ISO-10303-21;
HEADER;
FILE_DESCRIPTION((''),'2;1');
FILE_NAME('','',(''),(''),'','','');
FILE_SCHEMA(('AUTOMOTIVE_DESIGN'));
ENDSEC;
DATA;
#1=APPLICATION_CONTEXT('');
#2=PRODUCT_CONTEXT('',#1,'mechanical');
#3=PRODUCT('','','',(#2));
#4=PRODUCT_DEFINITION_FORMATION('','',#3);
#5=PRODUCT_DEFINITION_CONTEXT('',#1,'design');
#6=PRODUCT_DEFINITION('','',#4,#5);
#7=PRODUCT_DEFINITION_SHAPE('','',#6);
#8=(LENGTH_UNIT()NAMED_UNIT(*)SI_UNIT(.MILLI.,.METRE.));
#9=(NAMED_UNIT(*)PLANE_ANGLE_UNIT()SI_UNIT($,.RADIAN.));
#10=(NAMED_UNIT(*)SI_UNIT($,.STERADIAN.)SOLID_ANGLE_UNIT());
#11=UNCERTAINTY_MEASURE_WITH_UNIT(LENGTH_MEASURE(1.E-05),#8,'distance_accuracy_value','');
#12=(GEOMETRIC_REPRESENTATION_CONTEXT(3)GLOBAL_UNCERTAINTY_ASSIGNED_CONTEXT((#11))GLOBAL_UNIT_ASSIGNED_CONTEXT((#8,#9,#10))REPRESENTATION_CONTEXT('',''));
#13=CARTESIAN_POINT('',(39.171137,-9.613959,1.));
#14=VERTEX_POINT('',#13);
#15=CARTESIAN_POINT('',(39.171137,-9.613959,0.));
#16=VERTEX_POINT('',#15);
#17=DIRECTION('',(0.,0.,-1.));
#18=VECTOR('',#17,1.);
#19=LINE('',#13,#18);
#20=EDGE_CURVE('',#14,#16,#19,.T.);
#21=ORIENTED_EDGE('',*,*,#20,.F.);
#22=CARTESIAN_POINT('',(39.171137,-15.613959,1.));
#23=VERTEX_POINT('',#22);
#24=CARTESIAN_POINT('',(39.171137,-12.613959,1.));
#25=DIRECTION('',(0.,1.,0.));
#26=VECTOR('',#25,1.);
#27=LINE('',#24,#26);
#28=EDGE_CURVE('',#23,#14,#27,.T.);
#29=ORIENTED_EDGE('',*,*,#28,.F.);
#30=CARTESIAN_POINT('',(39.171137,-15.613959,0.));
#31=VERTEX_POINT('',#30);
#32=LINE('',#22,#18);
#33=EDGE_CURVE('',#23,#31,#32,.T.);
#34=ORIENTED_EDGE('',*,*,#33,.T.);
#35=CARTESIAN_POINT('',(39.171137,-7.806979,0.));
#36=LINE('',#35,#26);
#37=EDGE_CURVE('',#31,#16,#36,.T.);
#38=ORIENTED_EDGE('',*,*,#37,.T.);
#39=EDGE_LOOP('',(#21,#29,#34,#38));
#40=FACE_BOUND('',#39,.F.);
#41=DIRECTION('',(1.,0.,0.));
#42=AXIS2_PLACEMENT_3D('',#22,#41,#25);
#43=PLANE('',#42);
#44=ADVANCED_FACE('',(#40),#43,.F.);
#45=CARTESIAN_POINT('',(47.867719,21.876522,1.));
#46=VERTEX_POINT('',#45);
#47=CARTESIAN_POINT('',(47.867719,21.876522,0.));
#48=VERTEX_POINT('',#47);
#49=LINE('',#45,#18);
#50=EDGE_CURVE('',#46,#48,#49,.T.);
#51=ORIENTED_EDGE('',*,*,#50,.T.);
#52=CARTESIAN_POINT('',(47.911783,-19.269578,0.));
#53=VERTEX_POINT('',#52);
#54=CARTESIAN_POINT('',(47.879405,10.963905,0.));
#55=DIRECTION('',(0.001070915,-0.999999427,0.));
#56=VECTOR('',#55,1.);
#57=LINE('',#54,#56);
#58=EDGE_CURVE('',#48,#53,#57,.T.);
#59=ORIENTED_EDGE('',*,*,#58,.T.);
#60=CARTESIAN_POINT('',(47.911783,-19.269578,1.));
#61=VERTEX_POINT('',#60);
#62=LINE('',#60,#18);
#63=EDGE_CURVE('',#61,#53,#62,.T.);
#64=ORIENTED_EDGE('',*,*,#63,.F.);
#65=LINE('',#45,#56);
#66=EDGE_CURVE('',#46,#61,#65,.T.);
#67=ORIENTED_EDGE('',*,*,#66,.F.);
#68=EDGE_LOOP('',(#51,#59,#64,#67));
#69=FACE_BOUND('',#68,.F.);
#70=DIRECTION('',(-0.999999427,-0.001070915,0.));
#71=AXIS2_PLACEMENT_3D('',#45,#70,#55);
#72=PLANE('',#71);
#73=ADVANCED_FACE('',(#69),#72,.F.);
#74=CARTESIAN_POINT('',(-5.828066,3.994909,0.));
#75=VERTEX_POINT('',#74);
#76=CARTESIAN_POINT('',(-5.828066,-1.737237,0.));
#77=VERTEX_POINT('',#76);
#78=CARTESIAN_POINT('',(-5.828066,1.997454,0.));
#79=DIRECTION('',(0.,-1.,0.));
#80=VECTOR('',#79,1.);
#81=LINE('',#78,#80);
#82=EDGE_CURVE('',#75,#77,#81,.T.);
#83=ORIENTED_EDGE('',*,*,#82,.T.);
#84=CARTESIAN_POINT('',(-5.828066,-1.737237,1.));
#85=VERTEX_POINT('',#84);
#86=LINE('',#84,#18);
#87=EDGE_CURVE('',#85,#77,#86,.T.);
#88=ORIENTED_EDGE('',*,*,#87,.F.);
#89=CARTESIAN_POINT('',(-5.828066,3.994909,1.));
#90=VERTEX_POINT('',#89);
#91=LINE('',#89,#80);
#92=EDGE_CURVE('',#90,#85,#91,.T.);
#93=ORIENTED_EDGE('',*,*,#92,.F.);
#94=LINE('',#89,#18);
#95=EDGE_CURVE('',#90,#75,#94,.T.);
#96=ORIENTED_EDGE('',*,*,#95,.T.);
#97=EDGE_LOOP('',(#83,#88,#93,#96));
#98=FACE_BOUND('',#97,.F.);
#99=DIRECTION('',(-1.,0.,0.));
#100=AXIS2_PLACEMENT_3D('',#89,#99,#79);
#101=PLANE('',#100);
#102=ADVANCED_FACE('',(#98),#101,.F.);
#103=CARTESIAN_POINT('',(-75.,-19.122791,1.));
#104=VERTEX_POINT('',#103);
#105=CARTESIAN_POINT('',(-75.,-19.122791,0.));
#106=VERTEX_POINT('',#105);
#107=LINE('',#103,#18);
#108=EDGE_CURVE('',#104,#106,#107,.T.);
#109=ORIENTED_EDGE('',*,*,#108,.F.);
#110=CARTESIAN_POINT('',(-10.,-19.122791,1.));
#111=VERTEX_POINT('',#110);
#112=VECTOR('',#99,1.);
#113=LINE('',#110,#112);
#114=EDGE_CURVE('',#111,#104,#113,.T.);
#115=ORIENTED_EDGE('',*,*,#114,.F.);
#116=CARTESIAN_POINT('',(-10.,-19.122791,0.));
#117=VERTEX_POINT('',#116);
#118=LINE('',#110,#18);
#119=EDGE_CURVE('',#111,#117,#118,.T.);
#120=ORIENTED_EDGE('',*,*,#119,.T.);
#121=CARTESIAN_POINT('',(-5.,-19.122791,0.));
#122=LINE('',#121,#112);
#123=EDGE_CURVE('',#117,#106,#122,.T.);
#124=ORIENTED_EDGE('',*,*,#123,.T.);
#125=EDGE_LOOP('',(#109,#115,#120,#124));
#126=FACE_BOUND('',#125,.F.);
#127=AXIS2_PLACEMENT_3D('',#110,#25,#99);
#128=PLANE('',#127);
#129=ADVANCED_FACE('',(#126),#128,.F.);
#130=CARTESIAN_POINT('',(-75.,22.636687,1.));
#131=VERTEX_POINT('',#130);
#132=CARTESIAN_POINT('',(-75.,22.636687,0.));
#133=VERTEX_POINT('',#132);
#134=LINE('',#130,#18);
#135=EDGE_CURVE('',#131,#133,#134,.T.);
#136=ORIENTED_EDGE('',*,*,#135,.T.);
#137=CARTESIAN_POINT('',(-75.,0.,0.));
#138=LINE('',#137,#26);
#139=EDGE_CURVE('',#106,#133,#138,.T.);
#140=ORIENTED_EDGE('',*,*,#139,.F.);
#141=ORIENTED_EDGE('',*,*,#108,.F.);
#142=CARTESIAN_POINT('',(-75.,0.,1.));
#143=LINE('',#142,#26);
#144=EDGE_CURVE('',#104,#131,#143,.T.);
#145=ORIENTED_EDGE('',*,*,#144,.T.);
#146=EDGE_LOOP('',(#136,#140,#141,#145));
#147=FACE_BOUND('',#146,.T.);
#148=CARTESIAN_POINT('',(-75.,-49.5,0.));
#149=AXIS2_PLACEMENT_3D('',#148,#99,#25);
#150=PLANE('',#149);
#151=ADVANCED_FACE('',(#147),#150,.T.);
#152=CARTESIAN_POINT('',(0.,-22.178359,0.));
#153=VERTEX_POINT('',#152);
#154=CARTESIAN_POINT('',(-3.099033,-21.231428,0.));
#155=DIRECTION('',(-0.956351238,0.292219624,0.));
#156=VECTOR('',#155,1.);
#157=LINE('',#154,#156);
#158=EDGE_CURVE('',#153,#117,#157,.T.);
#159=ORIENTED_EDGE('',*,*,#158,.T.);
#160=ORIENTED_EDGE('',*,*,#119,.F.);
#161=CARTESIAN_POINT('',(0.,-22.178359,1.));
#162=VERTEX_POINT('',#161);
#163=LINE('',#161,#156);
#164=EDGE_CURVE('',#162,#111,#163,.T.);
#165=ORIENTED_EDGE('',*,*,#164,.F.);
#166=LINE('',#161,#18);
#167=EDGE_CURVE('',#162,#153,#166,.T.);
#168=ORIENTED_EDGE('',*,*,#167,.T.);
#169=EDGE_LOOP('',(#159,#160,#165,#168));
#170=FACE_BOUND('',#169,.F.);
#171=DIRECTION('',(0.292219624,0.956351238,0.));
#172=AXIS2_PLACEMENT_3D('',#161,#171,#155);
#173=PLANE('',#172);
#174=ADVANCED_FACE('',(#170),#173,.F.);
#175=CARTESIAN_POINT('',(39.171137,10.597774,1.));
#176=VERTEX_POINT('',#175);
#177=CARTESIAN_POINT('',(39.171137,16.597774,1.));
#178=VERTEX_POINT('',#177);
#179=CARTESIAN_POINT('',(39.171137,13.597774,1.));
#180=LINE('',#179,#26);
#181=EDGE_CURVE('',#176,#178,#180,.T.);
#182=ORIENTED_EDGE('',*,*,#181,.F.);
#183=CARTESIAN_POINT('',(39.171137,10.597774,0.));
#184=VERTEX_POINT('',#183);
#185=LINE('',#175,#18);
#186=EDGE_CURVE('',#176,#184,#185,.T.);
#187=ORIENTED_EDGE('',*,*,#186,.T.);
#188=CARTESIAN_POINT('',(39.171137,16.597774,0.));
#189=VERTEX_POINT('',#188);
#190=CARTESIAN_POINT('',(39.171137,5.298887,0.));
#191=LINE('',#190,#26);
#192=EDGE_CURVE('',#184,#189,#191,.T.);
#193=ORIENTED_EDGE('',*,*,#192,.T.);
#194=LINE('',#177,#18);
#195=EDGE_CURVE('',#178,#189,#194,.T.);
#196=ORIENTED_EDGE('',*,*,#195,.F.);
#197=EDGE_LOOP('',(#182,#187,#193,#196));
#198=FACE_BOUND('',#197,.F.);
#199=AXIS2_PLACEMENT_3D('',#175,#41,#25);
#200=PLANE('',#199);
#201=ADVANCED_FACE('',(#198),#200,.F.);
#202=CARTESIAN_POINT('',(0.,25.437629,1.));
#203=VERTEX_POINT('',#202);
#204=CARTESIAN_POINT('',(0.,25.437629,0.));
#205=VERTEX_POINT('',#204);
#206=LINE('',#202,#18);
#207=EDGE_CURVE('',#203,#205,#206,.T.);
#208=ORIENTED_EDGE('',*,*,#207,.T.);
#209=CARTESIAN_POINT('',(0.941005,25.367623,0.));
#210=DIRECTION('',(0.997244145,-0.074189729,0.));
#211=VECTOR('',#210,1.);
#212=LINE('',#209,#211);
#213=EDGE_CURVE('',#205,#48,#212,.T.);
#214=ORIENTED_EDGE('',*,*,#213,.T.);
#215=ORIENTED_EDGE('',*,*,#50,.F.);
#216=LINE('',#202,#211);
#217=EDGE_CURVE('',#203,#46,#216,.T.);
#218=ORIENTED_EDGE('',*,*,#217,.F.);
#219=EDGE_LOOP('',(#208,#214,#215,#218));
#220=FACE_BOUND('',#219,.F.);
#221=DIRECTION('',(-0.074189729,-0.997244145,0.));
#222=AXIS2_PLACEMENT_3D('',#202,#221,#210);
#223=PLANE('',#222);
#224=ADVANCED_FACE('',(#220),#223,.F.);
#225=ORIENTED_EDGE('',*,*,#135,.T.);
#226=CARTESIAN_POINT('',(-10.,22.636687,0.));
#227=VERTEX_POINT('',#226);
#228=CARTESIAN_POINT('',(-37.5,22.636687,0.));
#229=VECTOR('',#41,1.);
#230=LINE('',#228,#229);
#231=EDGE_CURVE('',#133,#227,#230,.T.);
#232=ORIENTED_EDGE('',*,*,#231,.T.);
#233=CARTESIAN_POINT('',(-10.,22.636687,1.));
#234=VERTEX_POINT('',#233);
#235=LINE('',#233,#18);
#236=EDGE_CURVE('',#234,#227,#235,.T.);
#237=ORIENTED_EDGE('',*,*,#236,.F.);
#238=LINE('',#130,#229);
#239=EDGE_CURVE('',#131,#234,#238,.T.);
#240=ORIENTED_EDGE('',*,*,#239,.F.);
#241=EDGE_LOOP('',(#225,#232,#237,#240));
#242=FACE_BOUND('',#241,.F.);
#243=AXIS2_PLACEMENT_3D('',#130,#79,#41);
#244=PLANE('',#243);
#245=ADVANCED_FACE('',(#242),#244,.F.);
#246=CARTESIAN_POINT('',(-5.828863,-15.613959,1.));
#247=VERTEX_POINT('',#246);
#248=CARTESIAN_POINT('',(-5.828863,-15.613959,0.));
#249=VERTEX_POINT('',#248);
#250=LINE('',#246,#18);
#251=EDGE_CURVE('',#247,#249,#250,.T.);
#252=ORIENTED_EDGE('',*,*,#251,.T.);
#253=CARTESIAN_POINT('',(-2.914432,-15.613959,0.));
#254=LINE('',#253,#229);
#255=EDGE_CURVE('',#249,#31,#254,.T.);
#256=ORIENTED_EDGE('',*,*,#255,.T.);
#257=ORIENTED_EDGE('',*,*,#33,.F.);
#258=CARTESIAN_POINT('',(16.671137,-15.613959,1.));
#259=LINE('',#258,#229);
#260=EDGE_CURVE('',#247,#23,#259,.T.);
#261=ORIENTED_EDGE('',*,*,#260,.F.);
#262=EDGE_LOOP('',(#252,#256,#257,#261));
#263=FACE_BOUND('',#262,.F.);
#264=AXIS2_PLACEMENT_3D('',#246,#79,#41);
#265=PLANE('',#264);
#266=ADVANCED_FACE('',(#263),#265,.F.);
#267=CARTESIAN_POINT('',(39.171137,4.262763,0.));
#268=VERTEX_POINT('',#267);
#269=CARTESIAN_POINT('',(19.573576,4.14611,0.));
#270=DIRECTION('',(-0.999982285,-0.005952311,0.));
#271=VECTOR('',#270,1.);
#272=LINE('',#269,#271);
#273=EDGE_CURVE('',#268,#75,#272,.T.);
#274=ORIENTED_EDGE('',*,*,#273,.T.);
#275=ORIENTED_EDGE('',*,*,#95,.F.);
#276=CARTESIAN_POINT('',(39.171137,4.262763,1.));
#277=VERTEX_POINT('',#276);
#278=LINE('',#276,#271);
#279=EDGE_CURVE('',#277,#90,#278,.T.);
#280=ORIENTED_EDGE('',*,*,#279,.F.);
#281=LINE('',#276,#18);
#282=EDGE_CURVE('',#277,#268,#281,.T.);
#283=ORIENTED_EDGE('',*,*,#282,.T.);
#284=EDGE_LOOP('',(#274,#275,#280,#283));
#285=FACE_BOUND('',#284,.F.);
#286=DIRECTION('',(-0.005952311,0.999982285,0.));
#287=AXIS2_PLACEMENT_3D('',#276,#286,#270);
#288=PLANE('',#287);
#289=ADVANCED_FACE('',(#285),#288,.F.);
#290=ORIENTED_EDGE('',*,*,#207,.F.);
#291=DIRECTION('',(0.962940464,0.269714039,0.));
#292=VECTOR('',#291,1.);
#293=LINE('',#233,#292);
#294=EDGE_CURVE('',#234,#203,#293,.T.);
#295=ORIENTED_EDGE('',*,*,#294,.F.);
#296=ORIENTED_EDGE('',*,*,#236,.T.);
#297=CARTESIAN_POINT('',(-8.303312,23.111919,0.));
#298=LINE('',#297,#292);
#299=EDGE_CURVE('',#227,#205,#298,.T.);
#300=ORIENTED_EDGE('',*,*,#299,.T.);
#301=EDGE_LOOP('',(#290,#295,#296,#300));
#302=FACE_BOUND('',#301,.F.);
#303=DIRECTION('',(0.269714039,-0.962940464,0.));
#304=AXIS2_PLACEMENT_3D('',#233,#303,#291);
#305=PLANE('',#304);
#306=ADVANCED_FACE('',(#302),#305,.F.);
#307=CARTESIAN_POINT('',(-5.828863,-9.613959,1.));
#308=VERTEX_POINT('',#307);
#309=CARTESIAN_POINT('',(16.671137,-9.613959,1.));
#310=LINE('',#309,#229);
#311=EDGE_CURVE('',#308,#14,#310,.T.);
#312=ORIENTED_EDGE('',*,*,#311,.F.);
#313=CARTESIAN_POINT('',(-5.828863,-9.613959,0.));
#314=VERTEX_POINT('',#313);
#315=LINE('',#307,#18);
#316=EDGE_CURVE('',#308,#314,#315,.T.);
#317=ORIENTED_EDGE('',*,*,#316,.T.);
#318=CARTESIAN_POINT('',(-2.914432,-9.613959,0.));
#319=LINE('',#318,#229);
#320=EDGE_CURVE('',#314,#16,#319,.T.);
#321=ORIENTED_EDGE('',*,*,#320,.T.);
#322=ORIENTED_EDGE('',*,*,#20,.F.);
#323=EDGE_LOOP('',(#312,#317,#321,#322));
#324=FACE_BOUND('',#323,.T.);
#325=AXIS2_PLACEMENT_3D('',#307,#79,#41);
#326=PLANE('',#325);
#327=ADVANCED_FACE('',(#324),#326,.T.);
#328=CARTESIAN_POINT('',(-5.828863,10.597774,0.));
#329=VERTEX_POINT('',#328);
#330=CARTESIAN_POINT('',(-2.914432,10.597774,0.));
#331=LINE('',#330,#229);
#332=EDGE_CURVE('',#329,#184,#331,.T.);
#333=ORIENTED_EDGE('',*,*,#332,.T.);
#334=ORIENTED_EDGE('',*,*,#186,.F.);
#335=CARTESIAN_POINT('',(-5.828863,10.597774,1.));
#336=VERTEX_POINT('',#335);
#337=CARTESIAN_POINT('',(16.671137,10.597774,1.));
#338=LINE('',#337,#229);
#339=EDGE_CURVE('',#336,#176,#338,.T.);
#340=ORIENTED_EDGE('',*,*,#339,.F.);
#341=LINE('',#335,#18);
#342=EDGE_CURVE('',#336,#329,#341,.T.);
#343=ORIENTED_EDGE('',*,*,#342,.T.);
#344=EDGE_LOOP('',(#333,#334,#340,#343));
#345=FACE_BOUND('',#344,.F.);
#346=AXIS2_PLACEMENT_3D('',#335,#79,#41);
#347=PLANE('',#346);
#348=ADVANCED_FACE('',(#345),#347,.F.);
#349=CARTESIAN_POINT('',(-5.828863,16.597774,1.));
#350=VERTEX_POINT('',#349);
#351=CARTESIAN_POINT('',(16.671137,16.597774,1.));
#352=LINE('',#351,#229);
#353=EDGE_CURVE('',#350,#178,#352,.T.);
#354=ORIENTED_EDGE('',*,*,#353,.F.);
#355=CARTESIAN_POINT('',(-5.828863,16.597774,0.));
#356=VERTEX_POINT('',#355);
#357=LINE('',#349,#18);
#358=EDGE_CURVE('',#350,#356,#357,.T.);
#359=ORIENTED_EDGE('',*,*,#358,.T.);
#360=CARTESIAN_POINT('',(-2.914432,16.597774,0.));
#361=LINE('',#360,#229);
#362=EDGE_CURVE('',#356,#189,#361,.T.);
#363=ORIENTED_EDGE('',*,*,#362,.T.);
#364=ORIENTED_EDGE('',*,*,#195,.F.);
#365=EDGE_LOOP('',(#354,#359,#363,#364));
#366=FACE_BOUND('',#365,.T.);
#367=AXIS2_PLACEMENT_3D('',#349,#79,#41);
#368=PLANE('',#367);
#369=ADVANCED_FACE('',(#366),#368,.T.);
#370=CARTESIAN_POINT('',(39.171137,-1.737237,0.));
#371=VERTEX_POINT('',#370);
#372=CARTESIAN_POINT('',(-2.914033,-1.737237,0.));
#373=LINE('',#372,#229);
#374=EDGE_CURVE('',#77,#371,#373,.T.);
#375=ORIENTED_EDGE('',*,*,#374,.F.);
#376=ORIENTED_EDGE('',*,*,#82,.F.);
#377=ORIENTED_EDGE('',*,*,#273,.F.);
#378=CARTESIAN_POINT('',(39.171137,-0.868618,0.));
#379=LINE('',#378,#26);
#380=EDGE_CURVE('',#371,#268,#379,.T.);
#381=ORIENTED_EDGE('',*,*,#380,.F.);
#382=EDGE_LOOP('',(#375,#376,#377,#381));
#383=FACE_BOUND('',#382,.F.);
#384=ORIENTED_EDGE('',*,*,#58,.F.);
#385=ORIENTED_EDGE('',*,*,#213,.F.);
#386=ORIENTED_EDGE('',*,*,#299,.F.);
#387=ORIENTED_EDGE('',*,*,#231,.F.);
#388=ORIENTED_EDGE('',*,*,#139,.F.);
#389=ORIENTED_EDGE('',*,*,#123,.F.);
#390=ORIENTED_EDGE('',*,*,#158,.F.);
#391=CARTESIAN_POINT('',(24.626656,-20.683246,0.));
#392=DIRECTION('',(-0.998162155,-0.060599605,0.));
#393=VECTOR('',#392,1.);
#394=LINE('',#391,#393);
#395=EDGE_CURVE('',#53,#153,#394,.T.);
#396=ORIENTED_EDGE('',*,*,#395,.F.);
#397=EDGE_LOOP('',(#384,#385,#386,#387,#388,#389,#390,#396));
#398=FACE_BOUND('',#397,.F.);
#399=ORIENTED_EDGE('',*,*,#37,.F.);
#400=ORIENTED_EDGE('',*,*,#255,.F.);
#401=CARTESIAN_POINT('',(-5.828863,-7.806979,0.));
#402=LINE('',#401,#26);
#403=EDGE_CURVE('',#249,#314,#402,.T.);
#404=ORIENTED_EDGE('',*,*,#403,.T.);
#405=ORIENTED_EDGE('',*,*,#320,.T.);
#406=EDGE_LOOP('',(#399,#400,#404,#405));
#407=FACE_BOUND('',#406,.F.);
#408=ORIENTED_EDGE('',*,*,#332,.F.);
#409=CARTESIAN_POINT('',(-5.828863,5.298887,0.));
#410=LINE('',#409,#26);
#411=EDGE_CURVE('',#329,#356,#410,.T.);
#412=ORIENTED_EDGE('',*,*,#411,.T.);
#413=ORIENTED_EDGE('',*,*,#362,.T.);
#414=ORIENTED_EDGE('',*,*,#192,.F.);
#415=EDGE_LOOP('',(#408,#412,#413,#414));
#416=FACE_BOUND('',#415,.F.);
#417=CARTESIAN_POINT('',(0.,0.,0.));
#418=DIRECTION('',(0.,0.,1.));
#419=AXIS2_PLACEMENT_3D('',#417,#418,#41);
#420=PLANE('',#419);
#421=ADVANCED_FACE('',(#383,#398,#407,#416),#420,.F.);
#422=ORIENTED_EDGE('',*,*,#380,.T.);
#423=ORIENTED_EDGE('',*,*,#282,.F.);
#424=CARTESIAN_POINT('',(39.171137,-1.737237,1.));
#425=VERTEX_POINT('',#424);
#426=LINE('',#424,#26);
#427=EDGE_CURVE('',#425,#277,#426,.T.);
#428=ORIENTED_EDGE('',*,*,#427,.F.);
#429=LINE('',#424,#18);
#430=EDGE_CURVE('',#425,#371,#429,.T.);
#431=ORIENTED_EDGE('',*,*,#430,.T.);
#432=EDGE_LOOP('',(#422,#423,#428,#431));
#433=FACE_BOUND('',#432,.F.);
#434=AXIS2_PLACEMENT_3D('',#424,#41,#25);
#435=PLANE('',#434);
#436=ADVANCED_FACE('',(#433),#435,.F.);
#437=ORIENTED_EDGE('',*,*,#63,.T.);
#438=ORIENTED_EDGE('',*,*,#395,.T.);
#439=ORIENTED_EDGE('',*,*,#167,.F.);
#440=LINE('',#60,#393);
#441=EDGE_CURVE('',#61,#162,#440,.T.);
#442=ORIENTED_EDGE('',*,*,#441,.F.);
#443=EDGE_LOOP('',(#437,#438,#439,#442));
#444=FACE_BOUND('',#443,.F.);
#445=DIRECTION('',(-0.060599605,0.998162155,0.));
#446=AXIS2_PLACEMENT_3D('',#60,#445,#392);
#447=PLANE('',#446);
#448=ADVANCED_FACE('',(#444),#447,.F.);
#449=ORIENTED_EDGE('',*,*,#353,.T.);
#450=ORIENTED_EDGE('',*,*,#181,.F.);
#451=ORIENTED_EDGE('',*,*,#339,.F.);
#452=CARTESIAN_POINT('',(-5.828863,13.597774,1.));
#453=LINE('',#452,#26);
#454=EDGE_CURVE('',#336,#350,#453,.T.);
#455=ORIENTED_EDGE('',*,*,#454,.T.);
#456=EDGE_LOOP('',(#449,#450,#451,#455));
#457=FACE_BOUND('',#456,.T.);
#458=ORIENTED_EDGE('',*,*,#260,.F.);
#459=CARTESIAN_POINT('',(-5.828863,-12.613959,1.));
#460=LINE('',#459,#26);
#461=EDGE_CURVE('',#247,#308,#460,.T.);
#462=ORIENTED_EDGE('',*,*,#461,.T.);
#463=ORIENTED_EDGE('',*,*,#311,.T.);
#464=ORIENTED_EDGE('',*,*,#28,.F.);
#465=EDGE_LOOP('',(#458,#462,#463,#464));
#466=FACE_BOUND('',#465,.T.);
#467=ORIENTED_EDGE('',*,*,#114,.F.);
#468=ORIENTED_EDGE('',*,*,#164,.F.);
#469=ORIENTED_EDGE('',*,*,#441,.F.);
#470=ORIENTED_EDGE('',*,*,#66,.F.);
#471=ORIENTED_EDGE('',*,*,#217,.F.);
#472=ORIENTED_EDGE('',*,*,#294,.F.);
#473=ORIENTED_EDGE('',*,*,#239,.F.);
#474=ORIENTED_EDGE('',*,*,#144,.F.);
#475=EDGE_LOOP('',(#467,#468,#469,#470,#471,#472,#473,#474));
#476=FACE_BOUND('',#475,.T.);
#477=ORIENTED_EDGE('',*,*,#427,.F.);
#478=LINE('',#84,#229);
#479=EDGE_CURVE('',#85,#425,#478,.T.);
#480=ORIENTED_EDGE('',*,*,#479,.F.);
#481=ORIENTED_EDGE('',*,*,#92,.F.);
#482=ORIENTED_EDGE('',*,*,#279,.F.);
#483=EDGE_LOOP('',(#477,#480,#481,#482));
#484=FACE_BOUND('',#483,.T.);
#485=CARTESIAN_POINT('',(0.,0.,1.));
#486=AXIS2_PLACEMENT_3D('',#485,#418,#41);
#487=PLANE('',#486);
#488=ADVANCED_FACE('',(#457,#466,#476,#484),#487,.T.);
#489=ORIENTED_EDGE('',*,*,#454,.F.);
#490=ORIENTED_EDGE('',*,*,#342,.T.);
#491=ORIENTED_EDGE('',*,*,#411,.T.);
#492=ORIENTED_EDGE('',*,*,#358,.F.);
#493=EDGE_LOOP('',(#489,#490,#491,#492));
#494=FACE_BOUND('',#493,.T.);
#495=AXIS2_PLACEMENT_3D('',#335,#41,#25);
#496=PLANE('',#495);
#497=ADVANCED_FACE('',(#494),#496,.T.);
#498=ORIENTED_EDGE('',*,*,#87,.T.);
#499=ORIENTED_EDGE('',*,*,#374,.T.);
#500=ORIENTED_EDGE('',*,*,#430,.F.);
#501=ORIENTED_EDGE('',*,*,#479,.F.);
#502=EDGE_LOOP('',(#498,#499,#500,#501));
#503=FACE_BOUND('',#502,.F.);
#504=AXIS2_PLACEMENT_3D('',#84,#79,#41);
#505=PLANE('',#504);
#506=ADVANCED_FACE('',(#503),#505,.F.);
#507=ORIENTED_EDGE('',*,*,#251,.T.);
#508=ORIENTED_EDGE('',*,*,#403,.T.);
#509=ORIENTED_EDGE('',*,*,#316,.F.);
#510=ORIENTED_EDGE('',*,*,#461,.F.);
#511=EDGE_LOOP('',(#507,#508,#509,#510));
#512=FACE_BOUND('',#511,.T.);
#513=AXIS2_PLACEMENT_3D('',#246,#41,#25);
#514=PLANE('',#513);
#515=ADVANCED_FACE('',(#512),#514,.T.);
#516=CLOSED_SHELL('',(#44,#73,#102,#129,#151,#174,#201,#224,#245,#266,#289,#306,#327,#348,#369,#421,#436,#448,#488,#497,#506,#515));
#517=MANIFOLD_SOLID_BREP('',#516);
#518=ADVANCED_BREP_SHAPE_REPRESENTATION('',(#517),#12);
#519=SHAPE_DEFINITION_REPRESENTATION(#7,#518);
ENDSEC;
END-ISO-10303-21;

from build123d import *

# Parameters (mm, degrees)
F0_W     = 150
F0_H     = 99
F1_DEPTH = 1
F2_W     = 45
F2_H     = 6
F3_DEPTH = 25


with BuildPart() as f1:
    # F0 (on Top) → F1 (new body)
    with BuildSketch(Plane.XY):
        Rectangle(F0_W, F0_H)
    extrude(amount=F1_DEPTH)

    # F2 (on face) → F3 (cut)
    with BuildSketch(Plane.XY.offset(1)):
        with Locations((16.671137, 13.597774)):
            Rectangle(F2_W, F2_H)
        Polygon((39.171137, -1.737237), (39.171137, 4.262763), (-5.828066, 3.994909), (-5.828066, -1.737237), align=None)
        with Locations((16.671137, -12.613959)):
            Rectangle(F2_W, F2_H)
        Polygon((-75, 49.5), (-75, 22.636687), (-10, 22.636687), (0, 25.437629), (47.867719, 21.876522), (47.911783, -19.269578), (0, -22.178359), (-10, -19.122791), (-75, -19.122791), (-75, -49.5), (75, -49.5), (75, 49.5), align=None)
    extrude(amount=-F3_DEPTH, mode=Mode.SUBTRACT)


solid = f1.part
